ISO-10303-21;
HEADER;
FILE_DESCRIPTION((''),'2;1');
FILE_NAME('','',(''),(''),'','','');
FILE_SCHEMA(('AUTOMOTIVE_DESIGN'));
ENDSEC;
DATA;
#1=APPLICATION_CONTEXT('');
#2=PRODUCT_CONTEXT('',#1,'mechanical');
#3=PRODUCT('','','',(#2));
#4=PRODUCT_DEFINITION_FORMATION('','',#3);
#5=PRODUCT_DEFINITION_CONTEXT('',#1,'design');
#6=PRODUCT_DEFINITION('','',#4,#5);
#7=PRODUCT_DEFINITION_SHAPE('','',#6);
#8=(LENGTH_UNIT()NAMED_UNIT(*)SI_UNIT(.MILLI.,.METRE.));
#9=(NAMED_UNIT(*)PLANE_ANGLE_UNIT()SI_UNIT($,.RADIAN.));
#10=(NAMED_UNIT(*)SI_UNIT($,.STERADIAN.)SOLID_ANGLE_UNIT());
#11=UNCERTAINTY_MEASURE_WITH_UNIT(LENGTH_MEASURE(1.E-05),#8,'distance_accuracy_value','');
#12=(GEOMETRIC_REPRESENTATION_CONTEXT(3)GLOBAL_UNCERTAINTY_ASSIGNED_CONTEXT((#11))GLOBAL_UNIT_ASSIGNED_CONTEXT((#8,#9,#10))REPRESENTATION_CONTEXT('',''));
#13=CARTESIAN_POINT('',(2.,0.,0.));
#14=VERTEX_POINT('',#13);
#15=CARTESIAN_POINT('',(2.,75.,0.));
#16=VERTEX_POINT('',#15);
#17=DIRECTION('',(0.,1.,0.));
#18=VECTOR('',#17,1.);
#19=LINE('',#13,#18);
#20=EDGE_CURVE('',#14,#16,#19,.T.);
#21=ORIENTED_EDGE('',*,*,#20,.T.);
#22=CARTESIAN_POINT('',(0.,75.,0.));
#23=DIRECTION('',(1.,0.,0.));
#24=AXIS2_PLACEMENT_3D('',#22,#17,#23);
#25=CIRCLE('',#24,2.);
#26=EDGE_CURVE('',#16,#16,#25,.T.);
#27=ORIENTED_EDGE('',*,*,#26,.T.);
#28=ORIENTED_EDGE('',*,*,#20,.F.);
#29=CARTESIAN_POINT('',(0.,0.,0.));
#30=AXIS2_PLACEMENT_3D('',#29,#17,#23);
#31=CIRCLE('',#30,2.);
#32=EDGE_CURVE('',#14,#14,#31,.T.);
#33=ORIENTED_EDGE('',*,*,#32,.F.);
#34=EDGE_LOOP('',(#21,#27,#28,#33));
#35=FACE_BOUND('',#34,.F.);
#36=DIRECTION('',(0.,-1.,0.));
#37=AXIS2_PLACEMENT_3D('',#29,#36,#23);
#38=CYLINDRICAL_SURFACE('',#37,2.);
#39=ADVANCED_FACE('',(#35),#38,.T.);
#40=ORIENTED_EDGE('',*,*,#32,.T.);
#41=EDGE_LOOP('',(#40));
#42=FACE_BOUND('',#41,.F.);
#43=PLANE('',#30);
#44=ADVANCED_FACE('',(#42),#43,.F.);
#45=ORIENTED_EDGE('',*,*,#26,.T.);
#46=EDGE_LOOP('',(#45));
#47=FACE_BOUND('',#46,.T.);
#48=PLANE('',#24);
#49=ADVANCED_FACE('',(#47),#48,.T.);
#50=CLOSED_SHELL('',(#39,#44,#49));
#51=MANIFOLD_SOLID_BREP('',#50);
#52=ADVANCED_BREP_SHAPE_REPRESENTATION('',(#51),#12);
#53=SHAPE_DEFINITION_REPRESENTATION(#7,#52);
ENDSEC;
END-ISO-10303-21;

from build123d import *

# Parameters (mm, degrees)
SKETCH1_R           = 2
BOSS_EXTRUDE1_DEPTH = 75


with BuildPart() as part:
    # Sketch1 → Boss-Extrude1 (new body)
    with BuildSketch(Plane(origin=(0, 0, 0), x_dir=(1, 0, 0), z_dir=(0, 1, 0))):
        Circle(SKETCH1_R)
    extrude(amount=BOSS_EXTRUDE1_DEPTH)


solid = part.part
